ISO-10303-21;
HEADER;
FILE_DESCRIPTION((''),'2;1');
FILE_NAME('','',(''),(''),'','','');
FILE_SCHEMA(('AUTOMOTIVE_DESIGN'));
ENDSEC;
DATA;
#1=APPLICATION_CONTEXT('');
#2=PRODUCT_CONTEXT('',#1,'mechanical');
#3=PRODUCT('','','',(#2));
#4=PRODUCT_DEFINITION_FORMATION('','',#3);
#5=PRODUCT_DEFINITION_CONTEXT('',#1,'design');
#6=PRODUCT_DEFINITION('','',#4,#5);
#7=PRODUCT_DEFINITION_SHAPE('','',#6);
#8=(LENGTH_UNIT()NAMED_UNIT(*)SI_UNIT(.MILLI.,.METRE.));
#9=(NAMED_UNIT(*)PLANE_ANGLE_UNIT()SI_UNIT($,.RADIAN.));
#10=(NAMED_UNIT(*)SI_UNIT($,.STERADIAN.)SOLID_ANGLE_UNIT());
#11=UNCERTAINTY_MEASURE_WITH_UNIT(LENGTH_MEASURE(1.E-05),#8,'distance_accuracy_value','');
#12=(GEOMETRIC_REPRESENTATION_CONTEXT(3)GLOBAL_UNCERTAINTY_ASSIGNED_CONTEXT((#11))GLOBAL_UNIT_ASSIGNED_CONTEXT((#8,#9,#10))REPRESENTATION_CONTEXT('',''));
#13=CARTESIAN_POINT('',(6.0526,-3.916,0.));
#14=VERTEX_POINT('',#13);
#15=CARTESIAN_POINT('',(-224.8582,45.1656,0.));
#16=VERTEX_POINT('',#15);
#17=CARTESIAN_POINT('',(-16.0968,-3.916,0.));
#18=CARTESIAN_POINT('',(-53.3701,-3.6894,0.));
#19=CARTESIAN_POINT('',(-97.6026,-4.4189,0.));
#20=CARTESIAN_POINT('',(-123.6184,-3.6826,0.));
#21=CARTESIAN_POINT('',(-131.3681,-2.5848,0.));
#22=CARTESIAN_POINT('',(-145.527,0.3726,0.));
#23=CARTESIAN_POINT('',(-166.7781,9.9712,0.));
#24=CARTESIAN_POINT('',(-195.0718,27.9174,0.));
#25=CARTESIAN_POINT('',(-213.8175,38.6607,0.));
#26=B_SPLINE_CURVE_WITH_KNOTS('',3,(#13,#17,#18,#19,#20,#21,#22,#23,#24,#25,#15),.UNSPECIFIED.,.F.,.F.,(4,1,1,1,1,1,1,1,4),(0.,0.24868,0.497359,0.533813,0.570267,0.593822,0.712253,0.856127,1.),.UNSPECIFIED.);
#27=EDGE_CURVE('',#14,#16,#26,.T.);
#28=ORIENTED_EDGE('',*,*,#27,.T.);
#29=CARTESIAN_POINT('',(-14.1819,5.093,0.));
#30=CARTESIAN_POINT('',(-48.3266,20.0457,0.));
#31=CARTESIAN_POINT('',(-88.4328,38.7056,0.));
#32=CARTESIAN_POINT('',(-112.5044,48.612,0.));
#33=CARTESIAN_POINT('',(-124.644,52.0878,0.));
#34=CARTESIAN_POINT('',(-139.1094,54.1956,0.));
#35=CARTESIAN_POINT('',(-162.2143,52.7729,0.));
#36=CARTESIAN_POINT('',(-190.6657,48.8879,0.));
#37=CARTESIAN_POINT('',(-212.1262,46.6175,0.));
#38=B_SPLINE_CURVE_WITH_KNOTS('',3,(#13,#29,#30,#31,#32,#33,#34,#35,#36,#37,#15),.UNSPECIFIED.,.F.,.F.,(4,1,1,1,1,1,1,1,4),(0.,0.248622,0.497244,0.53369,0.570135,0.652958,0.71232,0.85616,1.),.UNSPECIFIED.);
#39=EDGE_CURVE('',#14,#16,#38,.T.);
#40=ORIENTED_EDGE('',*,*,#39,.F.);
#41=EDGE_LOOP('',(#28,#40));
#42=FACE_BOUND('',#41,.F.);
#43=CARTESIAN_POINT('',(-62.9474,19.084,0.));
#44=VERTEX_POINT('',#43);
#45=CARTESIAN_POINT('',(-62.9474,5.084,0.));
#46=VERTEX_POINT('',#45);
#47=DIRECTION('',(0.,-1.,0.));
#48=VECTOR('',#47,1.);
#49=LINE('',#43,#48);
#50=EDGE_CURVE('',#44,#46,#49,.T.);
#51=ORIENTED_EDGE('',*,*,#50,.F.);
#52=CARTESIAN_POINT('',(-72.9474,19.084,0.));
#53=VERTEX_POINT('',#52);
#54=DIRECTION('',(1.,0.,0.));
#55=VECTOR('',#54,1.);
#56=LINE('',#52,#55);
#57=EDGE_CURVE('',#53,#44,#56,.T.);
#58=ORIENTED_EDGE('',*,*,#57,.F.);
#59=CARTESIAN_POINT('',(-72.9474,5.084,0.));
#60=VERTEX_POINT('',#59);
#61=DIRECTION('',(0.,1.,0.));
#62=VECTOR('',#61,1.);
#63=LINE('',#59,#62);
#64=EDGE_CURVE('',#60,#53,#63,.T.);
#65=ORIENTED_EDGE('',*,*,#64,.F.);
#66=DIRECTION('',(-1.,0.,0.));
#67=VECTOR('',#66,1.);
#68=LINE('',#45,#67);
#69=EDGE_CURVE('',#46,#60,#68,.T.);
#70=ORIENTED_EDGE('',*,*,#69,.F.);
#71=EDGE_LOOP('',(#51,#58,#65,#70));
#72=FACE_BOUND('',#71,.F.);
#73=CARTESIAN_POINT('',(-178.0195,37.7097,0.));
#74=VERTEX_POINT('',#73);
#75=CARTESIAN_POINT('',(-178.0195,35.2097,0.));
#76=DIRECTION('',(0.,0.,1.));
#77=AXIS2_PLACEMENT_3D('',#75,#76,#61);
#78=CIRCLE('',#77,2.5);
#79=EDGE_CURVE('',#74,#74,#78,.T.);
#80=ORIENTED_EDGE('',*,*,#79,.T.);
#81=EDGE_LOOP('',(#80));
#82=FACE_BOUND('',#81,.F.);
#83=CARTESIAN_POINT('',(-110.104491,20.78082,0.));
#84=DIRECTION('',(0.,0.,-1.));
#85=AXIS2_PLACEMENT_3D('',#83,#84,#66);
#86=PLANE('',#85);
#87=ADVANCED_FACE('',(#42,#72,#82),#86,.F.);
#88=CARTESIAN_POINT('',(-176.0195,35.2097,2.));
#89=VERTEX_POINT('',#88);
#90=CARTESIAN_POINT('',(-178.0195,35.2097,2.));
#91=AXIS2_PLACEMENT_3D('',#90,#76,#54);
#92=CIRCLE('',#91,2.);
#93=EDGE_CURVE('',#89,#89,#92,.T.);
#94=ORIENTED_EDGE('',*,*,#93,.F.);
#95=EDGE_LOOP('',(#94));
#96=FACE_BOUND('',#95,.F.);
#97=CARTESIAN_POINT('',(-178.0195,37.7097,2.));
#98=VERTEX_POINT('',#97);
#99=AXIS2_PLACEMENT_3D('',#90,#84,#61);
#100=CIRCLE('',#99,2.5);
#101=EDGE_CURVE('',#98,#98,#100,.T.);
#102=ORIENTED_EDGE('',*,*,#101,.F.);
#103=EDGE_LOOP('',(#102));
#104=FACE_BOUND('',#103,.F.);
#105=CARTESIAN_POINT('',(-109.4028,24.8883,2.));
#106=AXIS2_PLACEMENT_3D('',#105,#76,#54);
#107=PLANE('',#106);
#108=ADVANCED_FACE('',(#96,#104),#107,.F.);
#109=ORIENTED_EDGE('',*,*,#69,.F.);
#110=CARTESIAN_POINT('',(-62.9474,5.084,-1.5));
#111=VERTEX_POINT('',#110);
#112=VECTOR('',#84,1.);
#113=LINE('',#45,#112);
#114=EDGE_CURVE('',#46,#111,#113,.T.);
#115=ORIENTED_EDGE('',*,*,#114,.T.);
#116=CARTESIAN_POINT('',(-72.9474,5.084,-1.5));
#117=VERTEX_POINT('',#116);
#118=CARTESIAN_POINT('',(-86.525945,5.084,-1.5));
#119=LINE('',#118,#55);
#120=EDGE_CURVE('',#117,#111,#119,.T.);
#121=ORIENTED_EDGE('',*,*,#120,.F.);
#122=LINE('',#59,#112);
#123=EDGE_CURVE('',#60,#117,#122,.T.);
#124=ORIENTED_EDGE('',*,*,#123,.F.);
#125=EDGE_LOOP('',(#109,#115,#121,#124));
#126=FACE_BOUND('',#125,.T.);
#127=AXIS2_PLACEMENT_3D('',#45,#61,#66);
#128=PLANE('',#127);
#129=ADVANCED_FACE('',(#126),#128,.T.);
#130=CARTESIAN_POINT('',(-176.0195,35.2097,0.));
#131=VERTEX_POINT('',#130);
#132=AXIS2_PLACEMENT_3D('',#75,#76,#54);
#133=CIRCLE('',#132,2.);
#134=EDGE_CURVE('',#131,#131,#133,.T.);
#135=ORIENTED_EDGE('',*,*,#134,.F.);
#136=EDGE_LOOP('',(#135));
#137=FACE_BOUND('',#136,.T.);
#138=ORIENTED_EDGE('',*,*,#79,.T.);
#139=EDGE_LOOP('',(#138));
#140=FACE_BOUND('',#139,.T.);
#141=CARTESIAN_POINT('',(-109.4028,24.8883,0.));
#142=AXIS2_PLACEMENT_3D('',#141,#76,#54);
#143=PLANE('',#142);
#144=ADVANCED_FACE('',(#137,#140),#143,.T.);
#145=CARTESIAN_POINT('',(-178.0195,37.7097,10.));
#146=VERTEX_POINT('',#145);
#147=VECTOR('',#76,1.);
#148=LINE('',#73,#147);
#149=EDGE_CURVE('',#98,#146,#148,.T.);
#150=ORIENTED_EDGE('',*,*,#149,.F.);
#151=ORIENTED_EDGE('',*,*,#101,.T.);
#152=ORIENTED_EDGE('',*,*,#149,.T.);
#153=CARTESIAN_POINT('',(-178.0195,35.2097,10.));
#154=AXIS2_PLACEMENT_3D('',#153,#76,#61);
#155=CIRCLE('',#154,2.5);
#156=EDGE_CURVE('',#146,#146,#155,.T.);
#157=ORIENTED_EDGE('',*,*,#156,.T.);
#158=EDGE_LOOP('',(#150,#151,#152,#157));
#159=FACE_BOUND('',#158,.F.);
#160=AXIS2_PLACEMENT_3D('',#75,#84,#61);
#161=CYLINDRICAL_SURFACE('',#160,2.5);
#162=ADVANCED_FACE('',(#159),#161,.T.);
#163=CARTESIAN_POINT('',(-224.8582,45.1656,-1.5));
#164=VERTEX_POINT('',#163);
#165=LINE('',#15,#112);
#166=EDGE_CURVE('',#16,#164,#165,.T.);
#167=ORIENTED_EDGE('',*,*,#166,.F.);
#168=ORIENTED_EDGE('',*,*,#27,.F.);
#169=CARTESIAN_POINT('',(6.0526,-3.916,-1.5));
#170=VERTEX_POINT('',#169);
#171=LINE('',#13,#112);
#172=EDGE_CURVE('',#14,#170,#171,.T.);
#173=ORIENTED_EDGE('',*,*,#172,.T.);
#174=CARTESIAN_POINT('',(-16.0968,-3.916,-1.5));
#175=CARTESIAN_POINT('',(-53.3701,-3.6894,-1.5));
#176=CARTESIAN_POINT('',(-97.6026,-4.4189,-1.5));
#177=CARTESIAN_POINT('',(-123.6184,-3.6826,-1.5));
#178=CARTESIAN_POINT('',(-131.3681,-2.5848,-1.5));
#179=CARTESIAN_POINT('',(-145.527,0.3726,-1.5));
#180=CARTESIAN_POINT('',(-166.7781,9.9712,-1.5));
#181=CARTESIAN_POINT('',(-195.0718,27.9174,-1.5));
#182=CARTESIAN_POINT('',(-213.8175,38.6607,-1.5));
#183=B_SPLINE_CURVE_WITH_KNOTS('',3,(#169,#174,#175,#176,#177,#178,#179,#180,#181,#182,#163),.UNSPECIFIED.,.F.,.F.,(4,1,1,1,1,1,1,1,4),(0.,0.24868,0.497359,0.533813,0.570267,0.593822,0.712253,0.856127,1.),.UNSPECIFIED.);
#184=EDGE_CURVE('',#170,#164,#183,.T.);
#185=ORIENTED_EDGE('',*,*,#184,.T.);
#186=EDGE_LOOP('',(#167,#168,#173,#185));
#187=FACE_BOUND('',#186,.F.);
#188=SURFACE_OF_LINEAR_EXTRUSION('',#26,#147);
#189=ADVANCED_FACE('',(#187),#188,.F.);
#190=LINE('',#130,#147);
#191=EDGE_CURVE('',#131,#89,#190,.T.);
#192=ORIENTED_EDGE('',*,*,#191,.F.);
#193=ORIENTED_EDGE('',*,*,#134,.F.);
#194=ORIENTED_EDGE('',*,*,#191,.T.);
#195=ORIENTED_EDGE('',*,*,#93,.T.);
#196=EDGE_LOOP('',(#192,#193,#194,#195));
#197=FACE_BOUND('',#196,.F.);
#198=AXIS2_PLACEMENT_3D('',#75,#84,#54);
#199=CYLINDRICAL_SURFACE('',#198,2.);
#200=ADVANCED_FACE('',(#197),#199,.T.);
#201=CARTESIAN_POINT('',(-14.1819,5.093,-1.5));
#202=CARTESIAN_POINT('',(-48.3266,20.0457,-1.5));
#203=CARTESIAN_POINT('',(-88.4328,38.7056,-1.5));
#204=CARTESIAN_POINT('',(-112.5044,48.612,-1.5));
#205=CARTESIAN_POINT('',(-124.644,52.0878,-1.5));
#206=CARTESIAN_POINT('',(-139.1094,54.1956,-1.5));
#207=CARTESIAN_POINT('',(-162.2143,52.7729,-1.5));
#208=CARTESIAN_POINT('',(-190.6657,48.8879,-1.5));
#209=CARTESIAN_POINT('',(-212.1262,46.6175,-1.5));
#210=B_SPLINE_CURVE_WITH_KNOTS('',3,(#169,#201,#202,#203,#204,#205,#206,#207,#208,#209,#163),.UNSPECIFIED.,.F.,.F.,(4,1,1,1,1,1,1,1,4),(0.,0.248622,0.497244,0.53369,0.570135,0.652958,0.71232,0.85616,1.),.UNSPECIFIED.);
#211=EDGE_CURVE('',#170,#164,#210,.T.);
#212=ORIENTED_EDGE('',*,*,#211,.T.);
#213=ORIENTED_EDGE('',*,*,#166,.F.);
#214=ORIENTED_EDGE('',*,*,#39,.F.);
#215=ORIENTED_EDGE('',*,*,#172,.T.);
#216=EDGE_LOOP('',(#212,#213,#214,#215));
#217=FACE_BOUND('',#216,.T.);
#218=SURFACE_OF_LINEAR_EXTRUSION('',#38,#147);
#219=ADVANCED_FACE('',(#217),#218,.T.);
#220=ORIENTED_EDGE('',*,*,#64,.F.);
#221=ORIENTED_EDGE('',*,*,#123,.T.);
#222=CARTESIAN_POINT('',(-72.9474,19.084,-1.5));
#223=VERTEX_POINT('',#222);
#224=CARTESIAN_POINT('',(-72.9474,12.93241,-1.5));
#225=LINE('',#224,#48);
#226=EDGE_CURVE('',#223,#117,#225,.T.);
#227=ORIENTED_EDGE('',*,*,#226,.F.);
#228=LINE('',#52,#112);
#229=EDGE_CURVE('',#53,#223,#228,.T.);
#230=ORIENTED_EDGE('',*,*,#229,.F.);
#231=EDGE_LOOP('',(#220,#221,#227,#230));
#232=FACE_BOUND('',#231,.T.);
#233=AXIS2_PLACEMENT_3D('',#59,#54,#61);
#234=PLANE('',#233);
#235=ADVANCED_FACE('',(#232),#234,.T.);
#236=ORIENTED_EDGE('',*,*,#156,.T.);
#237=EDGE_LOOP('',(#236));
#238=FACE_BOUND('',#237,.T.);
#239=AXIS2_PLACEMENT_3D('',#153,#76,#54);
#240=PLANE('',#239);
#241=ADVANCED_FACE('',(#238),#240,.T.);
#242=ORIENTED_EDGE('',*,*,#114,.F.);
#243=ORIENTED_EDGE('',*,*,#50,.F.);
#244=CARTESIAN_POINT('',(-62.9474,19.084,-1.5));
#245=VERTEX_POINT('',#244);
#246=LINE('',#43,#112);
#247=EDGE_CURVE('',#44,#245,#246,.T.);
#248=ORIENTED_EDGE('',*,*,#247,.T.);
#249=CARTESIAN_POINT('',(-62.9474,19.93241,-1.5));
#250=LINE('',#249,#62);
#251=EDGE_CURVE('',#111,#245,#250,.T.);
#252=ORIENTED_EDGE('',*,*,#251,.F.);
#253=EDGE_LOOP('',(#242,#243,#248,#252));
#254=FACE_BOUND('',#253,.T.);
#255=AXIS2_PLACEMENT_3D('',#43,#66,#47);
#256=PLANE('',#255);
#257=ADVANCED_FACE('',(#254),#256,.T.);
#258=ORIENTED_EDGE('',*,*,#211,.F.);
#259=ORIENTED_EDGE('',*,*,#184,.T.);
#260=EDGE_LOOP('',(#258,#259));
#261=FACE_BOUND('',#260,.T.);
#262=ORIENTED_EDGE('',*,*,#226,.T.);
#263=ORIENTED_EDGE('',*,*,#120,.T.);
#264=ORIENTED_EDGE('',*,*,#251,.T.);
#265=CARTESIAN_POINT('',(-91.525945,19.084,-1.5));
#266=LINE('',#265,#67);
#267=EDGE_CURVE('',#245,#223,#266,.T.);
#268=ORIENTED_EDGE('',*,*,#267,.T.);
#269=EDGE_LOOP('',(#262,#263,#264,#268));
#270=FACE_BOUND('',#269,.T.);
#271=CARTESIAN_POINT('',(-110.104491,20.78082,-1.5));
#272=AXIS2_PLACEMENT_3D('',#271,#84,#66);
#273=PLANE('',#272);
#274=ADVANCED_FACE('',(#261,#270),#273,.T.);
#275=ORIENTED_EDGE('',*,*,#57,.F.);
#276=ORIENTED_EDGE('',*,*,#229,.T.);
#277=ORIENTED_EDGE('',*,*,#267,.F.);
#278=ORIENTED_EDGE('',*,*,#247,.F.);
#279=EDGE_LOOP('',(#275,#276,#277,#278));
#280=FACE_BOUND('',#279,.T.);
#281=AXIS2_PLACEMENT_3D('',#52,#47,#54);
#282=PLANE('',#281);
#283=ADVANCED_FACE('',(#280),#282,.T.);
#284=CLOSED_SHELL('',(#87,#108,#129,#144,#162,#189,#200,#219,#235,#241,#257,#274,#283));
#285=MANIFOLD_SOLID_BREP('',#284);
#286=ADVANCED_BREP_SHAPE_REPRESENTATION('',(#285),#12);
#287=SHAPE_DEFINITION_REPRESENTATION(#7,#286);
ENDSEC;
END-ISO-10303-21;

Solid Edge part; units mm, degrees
sketch "Sketch1" plane through (0, 0, 0) normal (0, 0, 1) x (1, 0, 0)
  spline S0 degree 3 poles (6.0526, -3.916) (-16.0968, -3.916) (-53.3701, -3.6894) (-97.6026, -4.4189) (-123.6184, -3.6826) (-131.3681, -2.5848) (-145.527, 0.3726) (-166.7781, 9.9712) (-195.0718, 27.9174) (-213.8175, 38.6607) (-224.8582, 45.1656) knots 0 0 0 0 0.24868 0.497359 0.533813 0.570267 0.593822 0.712253 0.856127 1 1 1 1
  spline S1 degree 3 poles (6.0526, -3.916) (-14.1819, 5.093) (-48.3266, 20.0457) (-88.4328, 38.7056) (-112.5044, 48.612) (-124.644, 52.0878) (-139.1094, 54.1956) (-162.2143, 52.7729) (-190.6657, 48.8879) (-212.1262, 46.6175) (-224.8582, 45.1656) knots 0 0 0 0 0.248622 0.497244 0.53369 0.570135 0.652958 0.71232 0.85616 1 1 1 1
extrude "Protrusion1" add sketch "Sketch1" against normal blind 1.5
sketch "Sketch2" plane through (-109.4028, 24.8883, 0) normal (0, 0, 1) x (-1, 0, 0)
  line L0 (-36.4554, 19.8043) -> (-36.4554, 5.8043)
  line L1 (-36.4554, 5.8043) -> (-46.4554, 5.8043)
  line L2 (-46.4554, 5.8043) -> (-46.4554, 19.8043)
  line L3 (-46.4554, 19.8043) -> (-36.4554, 19.8043)
extrude "Cutout1" cut sketch "Sketch2" against normal through all
sketch "Sketch3" plane through (-109.4028, 24.8883, 0) normal (0, 0, 1) x (0, 1, 0)
  circle A0 centre (10.3214, 68.6167) radius 2.5
extrude "ExtrudedProtrusion_2" add sketch "Sketch3" along normal blind 10
sketch "Sketch4" plane through (-109.4028, 24.8883, 0) normal (0, 0, 1) x (1, 0, 0)
  circle A0 centre (-68.6167, 10.3214) radius 2
extrude "ExtrudedCutout_2" cut sketch "Sketch4" along normal blind 2 flip side to cut
